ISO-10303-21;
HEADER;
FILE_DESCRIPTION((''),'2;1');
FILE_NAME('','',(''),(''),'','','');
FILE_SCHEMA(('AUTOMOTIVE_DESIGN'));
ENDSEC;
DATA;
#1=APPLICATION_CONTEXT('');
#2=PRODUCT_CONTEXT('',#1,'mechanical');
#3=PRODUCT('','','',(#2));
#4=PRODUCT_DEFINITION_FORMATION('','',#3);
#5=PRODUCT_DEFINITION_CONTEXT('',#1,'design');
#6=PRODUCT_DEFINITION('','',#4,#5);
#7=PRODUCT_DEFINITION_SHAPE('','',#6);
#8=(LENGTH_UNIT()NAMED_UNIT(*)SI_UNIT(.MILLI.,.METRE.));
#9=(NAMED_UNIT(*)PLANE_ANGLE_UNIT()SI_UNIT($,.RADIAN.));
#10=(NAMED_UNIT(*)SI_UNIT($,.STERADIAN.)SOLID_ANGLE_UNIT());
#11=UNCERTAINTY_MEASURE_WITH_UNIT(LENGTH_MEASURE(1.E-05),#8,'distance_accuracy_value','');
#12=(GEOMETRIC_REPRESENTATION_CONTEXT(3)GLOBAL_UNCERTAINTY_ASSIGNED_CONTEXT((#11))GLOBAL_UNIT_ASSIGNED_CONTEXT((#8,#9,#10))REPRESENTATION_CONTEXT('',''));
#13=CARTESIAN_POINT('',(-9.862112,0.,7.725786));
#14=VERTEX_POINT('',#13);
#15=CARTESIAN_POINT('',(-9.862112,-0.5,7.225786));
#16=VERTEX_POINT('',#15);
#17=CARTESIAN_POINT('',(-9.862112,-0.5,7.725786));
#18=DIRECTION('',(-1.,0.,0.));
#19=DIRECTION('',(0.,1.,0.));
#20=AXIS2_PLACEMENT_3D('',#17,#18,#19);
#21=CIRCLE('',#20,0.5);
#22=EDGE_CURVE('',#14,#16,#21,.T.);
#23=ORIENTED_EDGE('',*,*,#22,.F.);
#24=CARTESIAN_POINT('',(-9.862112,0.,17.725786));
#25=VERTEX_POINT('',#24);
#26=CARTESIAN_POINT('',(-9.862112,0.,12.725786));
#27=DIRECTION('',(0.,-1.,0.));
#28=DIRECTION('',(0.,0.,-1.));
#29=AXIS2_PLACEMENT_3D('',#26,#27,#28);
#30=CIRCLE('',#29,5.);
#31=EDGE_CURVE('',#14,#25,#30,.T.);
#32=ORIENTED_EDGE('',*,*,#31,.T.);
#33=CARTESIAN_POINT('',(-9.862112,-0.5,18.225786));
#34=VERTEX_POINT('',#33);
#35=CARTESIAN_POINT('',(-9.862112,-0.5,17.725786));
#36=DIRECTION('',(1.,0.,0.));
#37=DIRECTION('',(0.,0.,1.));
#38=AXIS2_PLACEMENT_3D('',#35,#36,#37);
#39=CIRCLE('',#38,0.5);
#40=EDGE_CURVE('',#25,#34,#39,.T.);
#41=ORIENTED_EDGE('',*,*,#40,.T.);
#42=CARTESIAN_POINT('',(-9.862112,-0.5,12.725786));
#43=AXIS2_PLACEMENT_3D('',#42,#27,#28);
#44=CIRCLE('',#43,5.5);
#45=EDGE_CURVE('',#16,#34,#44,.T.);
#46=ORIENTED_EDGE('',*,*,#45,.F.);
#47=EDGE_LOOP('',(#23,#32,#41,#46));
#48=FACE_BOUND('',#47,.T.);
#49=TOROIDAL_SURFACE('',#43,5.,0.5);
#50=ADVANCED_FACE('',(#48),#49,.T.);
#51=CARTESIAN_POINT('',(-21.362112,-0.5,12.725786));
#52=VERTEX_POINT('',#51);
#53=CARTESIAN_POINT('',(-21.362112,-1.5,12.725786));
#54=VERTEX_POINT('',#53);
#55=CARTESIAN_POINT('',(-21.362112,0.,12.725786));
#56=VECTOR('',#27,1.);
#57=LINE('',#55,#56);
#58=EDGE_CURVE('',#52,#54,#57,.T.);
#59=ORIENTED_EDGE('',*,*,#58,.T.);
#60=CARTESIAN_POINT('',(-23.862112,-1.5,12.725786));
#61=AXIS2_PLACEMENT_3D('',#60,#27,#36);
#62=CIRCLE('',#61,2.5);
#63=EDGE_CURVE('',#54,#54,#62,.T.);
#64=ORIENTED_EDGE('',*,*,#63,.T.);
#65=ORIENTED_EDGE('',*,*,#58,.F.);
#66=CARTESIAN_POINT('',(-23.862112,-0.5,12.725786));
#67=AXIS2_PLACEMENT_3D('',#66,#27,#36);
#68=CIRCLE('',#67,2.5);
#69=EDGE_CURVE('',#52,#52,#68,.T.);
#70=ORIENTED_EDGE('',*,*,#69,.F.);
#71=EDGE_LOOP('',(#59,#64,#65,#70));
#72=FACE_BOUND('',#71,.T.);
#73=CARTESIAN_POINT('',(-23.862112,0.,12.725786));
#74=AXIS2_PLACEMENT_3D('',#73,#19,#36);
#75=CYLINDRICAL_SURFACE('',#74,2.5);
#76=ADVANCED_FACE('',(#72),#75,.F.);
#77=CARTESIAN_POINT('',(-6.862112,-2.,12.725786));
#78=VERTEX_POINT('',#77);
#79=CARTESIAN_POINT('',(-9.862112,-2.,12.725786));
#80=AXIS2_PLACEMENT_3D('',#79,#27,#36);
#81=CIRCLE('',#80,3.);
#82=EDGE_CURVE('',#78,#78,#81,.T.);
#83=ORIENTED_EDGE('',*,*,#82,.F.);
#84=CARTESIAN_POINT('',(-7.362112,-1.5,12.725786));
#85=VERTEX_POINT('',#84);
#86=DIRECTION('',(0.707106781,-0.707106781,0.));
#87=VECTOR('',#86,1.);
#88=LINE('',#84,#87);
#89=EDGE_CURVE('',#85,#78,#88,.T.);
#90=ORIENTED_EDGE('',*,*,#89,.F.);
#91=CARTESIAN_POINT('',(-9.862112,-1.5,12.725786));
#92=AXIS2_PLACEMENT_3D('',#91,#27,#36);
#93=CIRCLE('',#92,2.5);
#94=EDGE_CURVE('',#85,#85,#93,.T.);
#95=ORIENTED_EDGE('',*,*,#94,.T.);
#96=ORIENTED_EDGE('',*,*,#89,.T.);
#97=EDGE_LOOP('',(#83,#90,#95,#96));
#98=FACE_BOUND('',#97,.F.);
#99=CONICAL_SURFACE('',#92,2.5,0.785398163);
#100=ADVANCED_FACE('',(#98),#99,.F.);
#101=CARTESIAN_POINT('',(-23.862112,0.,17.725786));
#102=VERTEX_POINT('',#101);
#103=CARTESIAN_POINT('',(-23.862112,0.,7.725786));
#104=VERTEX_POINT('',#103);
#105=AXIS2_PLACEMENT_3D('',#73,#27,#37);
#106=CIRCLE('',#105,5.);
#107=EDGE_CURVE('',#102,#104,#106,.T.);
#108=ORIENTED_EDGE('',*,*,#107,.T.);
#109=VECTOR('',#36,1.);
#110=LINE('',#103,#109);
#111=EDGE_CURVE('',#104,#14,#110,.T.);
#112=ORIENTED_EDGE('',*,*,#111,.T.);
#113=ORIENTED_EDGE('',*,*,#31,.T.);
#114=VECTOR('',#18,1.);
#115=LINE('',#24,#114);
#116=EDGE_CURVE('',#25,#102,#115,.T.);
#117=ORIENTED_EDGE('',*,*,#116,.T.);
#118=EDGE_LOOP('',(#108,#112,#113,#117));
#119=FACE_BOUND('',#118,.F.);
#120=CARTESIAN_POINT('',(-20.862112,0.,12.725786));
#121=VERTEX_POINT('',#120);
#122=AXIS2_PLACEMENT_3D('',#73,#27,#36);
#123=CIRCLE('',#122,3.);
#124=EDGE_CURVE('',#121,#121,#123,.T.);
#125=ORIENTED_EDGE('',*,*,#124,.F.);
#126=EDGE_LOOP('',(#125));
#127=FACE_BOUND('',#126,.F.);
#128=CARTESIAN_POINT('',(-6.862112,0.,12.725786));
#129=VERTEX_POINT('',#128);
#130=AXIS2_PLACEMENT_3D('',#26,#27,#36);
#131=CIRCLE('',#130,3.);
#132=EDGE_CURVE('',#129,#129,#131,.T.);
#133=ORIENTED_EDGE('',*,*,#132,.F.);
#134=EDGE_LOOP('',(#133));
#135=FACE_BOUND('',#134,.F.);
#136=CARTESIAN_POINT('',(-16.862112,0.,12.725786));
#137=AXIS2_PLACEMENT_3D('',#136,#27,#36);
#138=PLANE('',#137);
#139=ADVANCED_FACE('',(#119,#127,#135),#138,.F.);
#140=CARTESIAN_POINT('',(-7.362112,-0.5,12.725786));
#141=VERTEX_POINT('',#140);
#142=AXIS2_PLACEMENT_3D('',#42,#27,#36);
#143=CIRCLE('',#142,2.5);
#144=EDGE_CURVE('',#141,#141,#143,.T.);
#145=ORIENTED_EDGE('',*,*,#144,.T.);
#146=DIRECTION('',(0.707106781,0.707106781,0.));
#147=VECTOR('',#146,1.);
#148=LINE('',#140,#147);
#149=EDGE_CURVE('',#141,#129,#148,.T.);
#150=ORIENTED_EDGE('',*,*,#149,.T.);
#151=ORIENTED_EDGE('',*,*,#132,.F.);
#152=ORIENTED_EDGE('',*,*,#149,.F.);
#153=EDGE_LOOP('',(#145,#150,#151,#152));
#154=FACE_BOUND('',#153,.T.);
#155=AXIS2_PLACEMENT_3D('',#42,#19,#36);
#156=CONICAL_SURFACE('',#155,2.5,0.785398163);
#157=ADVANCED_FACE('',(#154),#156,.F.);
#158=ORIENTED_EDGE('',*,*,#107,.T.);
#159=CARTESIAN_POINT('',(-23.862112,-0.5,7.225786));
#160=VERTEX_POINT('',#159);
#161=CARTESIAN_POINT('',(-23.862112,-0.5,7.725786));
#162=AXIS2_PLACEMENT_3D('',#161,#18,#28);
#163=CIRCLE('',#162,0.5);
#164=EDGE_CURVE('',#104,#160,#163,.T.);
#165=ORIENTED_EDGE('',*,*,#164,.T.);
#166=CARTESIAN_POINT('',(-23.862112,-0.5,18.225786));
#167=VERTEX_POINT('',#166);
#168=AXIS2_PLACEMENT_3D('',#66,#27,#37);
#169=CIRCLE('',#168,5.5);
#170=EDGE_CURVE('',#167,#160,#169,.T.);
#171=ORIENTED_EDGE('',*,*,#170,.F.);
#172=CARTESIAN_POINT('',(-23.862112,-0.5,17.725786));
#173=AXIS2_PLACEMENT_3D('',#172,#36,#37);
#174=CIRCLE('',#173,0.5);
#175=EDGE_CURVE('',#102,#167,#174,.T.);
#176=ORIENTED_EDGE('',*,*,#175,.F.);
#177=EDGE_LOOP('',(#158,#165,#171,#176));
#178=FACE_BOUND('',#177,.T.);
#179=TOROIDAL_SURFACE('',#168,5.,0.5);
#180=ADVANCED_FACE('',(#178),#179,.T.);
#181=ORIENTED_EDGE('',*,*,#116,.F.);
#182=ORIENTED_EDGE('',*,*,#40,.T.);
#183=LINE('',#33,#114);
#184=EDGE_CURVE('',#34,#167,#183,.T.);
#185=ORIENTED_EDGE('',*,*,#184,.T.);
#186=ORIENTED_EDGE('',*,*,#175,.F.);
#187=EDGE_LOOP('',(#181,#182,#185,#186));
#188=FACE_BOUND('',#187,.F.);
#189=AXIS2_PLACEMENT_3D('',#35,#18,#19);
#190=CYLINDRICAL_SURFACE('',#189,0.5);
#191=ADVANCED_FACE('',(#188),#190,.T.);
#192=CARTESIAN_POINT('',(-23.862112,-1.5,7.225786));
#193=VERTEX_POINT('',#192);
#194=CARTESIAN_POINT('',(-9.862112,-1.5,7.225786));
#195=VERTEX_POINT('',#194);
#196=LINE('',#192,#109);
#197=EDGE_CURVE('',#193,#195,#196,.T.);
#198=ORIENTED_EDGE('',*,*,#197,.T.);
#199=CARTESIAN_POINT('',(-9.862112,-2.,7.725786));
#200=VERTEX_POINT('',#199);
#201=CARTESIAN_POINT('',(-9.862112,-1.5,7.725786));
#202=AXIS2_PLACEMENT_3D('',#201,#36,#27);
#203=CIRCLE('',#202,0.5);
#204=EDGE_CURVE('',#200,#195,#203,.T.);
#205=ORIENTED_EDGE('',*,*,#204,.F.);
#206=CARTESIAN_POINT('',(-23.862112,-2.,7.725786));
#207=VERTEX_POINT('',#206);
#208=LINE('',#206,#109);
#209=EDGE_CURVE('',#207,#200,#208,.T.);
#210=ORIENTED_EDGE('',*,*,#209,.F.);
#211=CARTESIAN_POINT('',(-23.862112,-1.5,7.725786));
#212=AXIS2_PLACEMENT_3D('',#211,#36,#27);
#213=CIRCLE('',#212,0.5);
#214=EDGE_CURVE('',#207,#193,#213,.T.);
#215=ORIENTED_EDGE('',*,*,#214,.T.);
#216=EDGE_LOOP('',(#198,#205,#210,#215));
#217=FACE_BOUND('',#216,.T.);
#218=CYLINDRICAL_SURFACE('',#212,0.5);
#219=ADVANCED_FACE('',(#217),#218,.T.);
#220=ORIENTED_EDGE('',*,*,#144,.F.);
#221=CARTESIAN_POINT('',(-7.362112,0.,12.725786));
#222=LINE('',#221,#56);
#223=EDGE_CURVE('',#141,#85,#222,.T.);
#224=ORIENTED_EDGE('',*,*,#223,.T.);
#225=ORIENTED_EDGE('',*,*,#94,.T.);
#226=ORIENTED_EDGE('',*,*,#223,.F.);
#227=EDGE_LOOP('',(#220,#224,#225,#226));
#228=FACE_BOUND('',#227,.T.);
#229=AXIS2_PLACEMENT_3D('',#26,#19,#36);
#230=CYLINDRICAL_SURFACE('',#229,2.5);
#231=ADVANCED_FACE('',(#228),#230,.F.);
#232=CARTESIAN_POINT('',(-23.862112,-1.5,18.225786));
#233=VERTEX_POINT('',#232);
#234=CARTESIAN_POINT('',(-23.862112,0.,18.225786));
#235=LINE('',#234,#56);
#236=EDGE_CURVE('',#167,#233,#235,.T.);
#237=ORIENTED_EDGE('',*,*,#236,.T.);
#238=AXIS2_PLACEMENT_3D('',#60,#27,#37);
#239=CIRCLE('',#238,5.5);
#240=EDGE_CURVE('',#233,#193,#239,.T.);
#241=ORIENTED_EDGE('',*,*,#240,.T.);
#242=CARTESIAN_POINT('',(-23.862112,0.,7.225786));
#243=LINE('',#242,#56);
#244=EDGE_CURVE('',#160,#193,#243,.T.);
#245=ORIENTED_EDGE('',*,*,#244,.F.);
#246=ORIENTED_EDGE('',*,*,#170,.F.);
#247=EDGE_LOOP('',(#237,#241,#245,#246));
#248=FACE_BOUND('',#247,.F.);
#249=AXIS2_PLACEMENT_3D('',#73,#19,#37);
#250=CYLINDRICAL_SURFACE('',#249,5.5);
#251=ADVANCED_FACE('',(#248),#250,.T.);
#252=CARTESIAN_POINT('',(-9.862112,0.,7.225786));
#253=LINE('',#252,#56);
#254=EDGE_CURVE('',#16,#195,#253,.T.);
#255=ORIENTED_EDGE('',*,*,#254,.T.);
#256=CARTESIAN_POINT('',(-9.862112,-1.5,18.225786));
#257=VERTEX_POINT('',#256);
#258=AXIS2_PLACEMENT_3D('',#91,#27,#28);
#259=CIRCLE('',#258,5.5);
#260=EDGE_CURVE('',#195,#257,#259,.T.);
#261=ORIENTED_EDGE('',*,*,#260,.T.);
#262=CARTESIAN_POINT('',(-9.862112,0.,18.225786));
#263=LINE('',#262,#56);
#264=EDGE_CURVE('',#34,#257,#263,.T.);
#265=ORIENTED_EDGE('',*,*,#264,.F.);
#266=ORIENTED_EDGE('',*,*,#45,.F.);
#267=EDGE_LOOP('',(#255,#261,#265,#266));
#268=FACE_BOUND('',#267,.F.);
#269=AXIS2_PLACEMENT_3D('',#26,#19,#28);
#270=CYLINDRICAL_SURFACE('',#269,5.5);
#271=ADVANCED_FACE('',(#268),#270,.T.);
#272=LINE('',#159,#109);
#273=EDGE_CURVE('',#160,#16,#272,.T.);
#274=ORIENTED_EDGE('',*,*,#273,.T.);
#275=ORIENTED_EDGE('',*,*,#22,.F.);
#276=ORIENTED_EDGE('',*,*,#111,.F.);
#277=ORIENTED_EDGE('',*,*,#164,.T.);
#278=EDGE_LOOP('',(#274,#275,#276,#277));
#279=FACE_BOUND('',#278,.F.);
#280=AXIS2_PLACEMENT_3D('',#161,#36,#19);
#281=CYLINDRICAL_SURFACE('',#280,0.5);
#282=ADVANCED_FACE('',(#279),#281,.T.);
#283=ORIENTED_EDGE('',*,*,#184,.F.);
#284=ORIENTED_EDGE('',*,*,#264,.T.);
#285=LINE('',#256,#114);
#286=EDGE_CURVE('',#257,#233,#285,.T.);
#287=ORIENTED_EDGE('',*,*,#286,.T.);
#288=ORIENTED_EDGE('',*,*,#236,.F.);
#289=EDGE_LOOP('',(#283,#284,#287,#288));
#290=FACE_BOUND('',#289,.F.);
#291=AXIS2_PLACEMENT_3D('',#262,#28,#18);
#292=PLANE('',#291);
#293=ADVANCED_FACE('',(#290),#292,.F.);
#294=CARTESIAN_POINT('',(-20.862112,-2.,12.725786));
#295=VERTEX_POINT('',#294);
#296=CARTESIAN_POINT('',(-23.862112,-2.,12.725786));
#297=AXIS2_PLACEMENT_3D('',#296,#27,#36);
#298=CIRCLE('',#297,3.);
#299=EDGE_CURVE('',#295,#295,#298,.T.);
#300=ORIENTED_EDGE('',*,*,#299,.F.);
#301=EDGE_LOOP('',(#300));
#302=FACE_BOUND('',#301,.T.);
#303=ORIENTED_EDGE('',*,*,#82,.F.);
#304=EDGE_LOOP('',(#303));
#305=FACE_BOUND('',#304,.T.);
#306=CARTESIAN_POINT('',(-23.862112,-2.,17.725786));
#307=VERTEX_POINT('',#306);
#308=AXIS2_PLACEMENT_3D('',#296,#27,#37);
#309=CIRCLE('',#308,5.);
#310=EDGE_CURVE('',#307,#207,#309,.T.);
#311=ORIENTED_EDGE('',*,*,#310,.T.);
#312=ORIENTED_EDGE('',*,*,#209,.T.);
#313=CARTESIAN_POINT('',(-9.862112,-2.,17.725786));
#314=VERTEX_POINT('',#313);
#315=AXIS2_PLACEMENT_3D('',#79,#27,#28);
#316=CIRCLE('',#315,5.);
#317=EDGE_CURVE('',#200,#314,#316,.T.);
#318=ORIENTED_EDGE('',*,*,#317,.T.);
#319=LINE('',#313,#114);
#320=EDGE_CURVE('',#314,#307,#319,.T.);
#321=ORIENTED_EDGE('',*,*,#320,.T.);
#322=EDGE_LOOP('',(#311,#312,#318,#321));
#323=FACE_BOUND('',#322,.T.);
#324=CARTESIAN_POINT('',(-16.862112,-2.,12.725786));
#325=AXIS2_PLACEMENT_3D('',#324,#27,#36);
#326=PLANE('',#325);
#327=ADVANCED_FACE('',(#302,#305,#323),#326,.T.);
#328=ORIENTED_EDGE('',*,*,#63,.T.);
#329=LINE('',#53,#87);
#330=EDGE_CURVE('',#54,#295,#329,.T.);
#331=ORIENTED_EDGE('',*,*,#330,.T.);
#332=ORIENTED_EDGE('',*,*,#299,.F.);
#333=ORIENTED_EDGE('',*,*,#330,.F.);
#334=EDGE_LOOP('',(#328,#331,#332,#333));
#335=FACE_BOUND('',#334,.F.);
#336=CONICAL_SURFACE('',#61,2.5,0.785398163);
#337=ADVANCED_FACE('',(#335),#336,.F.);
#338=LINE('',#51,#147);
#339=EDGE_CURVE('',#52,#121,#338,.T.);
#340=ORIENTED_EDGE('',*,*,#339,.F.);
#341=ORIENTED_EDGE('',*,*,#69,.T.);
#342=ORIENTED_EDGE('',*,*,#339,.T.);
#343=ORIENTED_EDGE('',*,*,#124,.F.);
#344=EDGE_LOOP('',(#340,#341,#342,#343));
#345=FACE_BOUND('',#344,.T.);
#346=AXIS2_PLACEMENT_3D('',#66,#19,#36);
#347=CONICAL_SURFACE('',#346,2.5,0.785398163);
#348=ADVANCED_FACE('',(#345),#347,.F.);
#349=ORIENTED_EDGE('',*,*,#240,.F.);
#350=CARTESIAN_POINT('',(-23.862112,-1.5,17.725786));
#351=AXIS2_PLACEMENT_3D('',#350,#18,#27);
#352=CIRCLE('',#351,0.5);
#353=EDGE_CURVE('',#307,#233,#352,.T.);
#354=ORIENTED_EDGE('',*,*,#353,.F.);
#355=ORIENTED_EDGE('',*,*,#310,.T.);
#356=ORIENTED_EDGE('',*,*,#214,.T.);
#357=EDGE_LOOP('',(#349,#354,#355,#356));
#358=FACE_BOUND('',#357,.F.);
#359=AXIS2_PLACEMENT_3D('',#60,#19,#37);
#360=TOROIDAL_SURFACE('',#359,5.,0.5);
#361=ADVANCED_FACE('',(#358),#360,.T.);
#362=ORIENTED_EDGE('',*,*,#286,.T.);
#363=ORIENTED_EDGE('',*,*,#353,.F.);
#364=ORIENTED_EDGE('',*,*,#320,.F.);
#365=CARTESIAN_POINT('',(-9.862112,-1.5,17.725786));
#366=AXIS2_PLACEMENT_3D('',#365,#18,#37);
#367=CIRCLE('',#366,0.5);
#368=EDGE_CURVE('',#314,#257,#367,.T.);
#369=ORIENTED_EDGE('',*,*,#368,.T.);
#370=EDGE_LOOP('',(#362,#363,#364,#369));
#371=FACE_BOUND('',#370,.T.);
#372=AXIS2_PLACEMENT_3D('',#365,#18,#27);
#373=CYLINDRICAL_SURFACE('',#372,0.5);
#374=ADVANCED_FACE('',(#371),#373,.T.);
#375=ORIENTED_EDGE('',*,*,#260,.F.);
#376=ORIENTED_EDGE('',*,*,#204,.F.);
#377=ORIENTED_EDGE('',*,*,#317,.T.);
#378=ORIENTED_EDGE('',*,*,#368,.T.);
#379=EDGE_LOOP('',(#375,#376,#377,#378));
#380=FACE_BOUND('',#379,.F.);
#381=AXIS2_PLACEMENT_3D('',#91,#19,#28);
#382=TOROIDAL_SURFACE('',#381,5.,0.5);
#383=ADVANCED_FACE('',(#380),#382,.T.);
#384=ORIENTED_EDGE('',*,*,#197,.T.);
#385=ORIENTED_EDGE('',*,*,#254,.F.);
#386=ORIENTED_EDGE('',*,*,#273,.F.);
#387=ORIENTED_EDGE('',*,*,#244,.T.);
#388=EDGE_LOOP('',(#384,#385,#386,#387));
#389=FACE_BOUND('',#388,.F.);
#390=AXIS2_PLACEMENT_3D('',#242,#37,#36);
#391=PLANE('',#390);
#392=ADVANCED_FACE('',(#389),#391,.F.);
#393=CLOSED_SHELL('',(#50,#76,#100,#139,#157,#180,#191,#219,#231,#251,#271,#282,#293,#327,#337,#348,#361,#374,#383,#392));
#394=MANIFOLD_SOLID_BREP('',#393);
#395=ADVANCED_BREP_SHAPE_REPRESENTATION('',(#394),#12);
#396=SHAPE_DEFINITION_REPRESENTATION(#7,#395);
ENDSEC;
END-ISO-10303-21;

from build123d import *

# Parameters (mm, degrees)
F0_R     = 2.5
F1_DEPTH = 2
F2_SIZE  = 0.5
F3_R     = 0.5


with BuildPart() as f1:
    # F0 (on Front) → F1 (new body)
    with BuildSketch(Plane.XZ):
        with BuildLine():
            Line((-9.862112, 18.225786), (-23.862112, 18.225786))
            ThreePointArc((-23.862112, 18.225786), (-29.362112, 12.725786), (-23.862112, 7.225786))
            Line((-23.862112, 7.225786), (-9.862112, 7.225786))
            ThreePointArc((-9.862112, 7.225786), (-4.362112, 12.725786), (-9.862112, 18.225786))
        make_face()
        with Locations((-23.862112, 12.725786)):
            Circle(F0_R, mode=Mode.SUBTRACT)
        with Locations((-9.862112, 12.725786)):
            Circle(F0_R, mode=Mode.SUBTRACT)
    extrude(amount=F1_DEPTH)

    # F2
    f2_edges = [f1.edges().sort_by_distance(p)[0] for p in [
        (-26.362112, -2, 12.725786),
        (-26.362112, 0, 12.725786),
        (-12.362112, -2, 12.725786),
        (-12.362112, 0, 12.725786),
    ]]
    chamfer(f2_edges, length=F2_SIZE)

    # F3
    f3_edges = [f1.edges().sort_by_distance(p)[0] for p in [
        (-16.862112, -2, 7.225786),
        (-29.362112, 0, 12.725786),
    ]]
    fillet(f3_edges, radius=F3_R)


solid = f1.part
